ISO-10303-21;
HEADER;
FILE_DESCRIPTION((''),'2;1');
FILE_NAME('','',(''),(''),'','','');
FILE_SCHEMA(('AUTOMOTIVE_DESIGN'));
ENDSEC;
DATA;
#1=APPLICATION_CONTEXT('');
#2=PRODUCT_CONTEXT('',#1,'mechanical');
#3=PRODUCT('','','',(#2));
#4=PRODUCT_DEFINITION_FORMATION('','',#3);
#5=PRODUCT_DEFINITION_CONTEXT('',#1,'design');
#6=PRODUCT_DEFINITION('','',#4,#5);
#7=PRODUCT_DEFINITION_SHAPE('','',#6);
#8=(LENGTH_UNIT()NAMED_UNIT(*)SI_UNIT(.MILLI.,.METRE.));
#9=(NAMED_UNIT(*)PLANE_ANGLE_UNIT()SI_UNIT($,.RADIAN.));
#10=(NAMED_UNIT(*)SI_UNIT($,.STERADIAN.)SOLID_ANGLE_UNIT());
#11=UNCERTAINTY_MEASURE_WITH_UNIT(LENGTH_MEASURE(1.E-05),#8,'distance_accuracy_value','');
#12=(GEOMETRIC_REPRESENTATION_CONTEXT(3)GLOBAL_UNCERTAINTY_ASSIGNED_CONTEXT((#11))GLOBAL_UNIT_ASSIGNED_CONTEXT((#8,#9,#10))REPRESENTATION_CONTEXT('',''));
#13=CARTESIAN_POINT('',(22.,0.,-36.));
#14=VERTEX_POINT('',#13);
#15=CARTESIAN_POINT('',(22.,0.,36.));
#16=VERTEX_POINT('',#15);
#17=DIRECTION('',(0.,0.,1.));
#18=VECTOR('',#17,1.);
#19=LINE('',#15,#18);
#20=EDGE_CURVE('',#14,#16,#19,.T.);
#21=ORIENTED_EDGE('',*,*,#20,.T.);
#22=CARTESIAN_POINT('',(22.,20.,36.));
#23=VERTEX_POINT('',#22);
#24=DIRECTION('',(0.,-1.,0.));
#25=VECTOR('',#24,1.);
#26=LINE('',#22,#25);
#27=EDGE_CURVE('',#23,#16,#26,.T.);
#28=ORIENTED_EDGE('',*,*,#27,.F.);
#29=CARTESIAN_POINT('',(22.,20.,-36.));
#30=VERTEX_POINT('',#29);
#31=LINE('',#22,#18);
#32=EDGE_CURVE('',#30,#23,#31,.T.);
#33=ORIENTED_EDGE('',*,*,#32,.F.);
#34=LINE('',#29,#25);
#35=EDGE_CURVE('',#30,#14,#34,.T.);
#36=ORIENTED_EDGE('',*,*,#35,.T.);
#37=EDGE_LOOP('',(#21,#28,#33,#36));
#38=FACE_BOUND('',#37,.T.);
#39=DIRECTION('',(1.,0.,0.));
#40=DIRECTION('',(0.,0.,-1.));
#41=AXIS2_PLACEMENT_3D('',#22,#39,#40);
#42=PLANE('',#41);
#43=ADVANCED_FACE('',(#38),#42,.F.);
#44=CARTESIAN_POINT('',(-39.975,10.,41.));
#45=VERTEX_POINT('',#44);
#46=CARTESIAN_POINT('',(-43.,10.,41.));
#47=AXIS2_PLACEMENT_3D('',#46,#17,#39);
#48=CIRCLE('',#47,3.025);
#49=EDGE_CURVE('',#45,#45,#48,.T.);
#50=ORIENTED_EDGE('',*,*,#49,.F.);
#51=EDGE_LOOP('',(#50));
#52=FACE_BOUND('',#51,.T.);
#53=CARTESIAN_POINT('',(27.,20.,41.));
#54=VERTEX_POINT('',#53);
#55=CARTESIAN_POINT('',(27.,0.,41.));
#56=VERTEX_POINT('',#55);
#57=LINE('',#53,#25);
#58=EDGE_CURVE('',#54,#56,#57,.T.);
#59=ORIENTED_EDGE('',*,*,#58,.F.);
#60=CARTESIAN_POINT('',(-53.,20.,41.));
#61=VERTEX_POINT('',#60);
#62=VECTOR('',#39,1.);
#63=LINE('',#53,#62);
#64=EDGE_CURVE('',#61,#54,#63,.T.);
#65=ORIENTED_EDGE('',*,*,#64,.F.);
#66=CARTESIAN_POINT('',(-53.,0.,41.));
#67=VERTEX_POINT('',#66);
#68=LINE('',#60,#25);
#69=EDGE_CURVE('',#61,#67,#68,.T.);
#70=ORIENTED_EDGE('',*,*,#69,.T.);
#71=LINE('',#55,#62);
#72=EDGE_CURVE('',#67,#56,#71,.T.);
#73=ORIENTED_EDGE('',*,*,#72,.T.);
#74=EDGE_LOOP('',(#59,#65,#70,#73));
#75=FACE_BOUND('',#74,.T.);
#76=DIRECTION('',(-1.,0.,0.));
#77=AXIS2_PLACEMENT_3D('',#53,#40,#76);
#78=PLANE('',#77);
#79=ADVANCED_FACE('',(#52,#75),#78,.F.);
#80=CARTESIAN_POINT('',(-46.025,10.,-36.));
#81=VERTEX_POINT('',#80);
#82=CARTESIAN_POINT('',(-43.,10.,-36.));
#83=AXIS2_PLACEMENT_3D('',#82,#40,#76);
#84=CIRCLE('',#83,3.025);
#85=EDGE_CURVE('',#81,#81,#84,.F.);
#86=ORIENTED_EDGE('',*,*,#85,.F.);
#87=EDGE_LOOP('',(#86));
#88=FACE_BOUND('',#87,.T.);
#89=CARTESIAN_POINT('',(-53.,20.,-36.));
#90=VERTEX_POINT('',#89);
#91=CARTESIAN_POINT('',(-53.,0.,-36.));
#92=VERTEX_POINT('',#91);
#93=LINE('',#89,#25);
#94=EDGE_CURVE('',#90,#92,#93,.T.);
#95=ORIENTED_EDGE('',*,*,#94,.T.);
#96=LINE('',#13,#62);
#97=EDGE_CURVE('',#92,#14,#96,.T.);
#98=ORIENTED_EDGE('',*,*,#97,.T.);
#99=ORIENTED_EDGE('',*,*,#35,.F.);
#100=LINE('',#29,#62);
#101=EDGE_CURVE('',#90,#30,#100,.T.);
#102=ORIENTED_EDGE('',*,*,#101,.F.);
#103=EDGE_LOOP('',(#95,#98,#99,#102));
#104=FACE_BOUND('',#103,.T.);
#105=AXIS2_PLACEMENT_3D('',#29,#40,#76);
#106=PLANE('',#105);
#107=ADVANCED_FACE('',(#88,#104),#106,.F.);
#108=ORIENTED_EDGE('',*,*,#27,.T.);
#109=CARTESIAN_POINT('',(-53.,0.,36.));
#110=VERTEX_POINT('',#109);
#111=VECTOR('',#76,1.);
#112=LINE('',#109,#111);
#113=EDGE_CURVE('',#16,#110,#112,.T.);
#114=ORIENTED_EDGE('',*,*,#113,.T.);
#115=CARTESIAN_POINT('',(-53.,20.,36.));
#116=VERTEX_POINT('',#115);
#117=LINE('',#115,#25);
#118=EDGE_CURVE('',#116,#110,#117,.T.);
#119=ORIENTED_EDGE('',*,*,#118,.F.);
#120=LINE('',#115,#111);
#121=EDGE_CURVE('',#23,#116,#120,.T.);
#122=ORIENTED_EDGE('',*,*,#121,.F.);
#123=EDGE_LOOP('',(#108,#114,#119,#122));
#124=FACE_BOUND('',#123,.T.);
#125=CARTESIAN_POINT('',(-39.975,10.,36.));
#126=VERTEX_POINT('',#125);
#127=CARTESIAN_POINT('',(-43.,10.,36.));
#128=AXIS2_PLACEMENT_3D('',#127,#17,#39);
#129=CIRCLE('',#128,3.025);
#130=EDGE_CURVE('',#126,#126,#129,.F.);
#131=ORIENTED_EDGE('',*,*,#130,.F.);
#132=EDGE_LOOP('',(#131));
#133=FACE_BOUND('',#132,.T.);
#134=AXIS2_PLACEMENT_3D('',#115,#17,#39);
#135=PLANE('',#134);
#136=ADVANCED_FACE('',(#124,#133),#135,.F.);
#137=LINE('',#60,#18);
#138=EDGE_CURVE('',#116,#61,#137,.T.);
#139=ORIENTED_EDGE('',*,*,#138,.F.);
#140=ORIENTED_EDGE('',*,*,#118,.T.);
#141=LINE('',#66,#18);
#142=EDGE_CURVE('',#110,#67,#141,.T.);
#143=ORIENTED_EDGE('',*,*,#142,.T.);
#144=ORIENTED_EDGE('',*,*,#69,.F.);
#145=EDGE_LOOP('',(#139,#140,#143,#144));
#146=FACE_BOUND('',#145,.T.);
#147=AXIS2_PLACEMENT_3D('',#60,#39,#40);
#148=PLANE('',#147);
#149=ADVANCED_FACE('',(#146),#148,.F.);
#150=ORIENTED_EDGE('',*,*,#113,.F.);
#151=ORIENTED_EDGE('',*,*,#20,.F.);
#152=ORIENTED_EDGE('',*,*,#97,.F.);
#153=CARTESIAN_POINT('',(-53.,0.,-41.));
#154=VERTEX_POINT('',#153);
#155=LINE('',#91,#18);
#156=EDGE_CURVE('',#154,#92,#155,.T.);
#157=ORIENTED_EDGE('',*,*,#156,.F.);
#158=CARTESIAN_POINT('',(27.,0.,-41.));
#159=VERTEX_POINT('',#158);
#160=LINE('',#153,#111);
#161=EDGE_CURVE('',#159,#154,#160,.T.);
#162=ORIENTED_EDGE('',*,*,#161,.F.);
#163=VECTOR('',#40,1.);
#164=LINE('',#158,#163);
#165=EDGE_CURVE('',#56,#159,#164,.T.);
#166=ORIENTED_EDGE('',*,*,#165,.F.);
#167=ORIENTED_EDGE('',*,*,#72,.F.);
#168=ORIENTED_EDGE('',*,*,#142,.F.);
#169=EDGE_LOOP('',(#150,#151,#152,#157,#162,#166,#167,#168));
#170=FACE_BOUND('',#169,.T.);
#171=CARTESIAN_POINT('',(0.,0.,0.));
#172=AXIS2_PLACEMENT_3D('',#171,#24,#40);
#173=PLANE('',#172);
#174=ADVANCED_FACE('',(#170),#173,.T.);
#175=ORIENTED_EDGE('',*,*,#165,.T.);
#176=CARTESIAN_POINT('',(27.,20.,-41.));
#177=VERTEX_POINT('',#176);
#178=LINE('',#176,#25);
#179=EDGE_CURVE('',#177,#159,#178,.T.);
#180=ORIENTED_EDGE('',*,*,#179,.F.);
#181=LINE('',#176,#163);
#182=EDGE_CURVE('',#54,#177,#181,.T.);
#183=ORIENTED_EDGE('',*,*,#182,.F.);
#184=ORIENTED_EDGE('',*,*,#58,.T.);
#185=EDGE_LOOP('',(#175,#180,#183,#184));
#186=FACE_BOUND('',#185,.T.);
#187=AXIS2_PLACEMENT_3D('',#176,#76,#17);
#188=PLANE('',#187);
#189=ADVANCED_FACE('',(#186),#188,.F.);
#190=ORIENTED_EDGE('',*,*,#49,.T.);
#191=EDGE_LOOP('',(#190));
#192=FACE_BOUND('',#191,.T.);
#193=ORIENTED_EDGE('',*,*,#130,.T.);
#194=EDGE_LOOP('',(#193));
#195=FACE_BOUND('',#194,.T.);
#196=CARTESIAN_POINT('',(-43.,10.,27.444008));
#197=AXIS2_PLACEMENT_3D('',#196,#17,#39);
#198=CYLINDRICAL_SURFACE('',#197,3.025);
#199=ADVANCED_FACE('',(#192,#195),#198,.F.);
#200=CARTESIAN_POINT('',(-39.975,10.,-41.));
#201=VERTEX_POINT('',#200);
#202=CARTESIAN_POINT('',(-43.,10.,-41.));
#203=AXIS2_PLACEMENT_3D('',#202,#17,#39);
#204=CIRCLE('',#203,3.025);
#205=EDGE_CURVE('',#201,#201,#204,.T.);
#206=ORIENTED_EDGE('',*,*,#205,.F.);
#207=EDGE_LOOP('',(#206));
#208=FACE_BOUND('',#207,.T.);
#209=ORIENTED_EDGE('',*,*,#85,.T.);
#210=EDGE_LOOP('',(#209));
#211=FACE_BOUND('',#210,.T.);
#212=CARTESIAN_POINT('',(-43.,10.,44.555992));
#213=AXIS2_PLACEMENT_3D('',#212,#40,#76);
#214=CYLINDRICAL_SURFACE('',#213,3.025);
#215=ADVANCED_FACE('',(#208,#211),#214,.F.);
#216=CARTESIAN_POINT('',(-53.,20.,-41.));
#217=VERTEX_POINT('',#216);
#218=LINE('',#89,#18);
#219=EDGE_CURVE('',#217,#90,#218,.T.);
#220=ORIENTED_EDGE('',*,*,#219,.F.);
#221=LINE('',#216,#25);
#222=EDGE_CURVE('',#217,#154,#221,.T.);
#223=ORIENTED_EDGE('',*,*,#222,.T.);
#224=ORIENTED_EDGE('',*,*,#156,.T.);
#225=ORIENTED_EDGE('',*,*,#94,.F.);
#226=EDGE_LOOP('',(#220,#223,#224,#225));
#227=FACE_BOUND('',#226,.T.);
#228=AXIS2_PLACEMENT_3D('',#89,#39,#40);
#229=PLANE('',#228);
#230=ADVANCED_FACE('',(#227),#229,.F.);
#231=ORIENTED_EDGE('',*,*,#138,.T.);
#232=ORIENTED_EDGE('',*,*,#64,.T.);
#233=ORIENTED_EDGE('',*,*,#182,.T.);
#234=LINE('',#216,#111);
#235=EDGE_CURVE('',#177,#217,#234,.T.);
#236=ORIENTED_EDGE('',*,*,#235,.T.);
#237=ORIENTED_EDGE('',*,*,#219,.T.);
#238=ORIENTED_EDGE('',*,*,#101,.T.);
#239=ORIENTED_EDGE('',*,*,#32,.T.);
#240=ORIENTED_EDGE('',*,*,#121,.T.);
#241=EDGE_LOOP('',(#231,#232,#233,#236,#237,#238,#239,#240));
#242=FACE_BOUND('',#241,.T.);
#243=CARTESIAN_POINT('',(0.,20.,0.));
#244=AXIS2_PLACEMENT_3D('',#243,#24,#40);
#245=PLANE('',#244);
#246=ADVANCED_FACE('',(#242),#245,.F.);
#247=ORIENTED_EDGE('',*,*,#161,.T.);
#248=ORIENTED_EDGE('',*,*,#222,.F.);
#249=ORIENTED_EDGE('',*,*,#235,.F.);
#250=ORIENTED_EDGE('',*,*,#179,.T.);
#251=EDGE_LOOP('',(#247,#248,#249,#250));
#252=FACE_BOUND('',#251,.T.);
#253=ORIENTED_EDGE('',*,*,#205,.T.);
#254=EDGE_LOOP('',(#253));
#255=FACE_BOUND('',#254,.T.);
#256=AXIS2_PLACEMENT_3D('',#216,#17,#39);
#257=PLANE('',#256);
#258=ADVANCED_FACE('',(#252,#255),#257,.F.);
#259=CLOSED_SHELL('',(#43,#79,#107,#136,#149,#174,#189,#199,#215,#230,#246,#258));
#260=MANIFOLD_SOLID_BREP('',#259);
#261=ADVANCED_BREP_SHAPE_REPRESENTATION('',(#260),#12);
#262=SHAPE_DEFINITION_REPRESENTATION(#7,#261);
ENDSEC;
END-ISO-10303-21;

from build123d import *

# Parameters (mm, degrees)
BOSS_EXTRUDE1_DEPTH = 20
SKETCH3_R           = 3.025
CUT_EXTRUDE1_DEPTH  = 77


with BuildPart() as part:
    # Sketch2 → Boss-Extrude1 (new body)
    with BuildSketch(Plane(origin=(0, 0, 0), x_dir=(1, 0, 0), z_dir=(0, 1, 0))):
        Polygon((-53, 41), (27, 41), (27, -41), (-53, -41), (-53, -36), (22, -36), (22, 36), (-53, 36), align=None)
    extrude(amount=BOSS_EXTRUDE1_DEPTH)

    # Sketch3 → Cut-Extrude1 (cut)
    with BuildSketch(Plane.XY.offset(41)):
        with Locations((-43, 10)):
            Circle(SKETCH3_R)
    cut_extrude1 = extrude(amount=-CUT_EXTRUDE1_DEPTH, mode=Mode.SUBTRACT)

    # Mirror1: Cut-Extrude1 across plane
    add(cut_extrude1.mirror(Plane.XY), mode=Mode.SUBTRACT)


solid = part.part
